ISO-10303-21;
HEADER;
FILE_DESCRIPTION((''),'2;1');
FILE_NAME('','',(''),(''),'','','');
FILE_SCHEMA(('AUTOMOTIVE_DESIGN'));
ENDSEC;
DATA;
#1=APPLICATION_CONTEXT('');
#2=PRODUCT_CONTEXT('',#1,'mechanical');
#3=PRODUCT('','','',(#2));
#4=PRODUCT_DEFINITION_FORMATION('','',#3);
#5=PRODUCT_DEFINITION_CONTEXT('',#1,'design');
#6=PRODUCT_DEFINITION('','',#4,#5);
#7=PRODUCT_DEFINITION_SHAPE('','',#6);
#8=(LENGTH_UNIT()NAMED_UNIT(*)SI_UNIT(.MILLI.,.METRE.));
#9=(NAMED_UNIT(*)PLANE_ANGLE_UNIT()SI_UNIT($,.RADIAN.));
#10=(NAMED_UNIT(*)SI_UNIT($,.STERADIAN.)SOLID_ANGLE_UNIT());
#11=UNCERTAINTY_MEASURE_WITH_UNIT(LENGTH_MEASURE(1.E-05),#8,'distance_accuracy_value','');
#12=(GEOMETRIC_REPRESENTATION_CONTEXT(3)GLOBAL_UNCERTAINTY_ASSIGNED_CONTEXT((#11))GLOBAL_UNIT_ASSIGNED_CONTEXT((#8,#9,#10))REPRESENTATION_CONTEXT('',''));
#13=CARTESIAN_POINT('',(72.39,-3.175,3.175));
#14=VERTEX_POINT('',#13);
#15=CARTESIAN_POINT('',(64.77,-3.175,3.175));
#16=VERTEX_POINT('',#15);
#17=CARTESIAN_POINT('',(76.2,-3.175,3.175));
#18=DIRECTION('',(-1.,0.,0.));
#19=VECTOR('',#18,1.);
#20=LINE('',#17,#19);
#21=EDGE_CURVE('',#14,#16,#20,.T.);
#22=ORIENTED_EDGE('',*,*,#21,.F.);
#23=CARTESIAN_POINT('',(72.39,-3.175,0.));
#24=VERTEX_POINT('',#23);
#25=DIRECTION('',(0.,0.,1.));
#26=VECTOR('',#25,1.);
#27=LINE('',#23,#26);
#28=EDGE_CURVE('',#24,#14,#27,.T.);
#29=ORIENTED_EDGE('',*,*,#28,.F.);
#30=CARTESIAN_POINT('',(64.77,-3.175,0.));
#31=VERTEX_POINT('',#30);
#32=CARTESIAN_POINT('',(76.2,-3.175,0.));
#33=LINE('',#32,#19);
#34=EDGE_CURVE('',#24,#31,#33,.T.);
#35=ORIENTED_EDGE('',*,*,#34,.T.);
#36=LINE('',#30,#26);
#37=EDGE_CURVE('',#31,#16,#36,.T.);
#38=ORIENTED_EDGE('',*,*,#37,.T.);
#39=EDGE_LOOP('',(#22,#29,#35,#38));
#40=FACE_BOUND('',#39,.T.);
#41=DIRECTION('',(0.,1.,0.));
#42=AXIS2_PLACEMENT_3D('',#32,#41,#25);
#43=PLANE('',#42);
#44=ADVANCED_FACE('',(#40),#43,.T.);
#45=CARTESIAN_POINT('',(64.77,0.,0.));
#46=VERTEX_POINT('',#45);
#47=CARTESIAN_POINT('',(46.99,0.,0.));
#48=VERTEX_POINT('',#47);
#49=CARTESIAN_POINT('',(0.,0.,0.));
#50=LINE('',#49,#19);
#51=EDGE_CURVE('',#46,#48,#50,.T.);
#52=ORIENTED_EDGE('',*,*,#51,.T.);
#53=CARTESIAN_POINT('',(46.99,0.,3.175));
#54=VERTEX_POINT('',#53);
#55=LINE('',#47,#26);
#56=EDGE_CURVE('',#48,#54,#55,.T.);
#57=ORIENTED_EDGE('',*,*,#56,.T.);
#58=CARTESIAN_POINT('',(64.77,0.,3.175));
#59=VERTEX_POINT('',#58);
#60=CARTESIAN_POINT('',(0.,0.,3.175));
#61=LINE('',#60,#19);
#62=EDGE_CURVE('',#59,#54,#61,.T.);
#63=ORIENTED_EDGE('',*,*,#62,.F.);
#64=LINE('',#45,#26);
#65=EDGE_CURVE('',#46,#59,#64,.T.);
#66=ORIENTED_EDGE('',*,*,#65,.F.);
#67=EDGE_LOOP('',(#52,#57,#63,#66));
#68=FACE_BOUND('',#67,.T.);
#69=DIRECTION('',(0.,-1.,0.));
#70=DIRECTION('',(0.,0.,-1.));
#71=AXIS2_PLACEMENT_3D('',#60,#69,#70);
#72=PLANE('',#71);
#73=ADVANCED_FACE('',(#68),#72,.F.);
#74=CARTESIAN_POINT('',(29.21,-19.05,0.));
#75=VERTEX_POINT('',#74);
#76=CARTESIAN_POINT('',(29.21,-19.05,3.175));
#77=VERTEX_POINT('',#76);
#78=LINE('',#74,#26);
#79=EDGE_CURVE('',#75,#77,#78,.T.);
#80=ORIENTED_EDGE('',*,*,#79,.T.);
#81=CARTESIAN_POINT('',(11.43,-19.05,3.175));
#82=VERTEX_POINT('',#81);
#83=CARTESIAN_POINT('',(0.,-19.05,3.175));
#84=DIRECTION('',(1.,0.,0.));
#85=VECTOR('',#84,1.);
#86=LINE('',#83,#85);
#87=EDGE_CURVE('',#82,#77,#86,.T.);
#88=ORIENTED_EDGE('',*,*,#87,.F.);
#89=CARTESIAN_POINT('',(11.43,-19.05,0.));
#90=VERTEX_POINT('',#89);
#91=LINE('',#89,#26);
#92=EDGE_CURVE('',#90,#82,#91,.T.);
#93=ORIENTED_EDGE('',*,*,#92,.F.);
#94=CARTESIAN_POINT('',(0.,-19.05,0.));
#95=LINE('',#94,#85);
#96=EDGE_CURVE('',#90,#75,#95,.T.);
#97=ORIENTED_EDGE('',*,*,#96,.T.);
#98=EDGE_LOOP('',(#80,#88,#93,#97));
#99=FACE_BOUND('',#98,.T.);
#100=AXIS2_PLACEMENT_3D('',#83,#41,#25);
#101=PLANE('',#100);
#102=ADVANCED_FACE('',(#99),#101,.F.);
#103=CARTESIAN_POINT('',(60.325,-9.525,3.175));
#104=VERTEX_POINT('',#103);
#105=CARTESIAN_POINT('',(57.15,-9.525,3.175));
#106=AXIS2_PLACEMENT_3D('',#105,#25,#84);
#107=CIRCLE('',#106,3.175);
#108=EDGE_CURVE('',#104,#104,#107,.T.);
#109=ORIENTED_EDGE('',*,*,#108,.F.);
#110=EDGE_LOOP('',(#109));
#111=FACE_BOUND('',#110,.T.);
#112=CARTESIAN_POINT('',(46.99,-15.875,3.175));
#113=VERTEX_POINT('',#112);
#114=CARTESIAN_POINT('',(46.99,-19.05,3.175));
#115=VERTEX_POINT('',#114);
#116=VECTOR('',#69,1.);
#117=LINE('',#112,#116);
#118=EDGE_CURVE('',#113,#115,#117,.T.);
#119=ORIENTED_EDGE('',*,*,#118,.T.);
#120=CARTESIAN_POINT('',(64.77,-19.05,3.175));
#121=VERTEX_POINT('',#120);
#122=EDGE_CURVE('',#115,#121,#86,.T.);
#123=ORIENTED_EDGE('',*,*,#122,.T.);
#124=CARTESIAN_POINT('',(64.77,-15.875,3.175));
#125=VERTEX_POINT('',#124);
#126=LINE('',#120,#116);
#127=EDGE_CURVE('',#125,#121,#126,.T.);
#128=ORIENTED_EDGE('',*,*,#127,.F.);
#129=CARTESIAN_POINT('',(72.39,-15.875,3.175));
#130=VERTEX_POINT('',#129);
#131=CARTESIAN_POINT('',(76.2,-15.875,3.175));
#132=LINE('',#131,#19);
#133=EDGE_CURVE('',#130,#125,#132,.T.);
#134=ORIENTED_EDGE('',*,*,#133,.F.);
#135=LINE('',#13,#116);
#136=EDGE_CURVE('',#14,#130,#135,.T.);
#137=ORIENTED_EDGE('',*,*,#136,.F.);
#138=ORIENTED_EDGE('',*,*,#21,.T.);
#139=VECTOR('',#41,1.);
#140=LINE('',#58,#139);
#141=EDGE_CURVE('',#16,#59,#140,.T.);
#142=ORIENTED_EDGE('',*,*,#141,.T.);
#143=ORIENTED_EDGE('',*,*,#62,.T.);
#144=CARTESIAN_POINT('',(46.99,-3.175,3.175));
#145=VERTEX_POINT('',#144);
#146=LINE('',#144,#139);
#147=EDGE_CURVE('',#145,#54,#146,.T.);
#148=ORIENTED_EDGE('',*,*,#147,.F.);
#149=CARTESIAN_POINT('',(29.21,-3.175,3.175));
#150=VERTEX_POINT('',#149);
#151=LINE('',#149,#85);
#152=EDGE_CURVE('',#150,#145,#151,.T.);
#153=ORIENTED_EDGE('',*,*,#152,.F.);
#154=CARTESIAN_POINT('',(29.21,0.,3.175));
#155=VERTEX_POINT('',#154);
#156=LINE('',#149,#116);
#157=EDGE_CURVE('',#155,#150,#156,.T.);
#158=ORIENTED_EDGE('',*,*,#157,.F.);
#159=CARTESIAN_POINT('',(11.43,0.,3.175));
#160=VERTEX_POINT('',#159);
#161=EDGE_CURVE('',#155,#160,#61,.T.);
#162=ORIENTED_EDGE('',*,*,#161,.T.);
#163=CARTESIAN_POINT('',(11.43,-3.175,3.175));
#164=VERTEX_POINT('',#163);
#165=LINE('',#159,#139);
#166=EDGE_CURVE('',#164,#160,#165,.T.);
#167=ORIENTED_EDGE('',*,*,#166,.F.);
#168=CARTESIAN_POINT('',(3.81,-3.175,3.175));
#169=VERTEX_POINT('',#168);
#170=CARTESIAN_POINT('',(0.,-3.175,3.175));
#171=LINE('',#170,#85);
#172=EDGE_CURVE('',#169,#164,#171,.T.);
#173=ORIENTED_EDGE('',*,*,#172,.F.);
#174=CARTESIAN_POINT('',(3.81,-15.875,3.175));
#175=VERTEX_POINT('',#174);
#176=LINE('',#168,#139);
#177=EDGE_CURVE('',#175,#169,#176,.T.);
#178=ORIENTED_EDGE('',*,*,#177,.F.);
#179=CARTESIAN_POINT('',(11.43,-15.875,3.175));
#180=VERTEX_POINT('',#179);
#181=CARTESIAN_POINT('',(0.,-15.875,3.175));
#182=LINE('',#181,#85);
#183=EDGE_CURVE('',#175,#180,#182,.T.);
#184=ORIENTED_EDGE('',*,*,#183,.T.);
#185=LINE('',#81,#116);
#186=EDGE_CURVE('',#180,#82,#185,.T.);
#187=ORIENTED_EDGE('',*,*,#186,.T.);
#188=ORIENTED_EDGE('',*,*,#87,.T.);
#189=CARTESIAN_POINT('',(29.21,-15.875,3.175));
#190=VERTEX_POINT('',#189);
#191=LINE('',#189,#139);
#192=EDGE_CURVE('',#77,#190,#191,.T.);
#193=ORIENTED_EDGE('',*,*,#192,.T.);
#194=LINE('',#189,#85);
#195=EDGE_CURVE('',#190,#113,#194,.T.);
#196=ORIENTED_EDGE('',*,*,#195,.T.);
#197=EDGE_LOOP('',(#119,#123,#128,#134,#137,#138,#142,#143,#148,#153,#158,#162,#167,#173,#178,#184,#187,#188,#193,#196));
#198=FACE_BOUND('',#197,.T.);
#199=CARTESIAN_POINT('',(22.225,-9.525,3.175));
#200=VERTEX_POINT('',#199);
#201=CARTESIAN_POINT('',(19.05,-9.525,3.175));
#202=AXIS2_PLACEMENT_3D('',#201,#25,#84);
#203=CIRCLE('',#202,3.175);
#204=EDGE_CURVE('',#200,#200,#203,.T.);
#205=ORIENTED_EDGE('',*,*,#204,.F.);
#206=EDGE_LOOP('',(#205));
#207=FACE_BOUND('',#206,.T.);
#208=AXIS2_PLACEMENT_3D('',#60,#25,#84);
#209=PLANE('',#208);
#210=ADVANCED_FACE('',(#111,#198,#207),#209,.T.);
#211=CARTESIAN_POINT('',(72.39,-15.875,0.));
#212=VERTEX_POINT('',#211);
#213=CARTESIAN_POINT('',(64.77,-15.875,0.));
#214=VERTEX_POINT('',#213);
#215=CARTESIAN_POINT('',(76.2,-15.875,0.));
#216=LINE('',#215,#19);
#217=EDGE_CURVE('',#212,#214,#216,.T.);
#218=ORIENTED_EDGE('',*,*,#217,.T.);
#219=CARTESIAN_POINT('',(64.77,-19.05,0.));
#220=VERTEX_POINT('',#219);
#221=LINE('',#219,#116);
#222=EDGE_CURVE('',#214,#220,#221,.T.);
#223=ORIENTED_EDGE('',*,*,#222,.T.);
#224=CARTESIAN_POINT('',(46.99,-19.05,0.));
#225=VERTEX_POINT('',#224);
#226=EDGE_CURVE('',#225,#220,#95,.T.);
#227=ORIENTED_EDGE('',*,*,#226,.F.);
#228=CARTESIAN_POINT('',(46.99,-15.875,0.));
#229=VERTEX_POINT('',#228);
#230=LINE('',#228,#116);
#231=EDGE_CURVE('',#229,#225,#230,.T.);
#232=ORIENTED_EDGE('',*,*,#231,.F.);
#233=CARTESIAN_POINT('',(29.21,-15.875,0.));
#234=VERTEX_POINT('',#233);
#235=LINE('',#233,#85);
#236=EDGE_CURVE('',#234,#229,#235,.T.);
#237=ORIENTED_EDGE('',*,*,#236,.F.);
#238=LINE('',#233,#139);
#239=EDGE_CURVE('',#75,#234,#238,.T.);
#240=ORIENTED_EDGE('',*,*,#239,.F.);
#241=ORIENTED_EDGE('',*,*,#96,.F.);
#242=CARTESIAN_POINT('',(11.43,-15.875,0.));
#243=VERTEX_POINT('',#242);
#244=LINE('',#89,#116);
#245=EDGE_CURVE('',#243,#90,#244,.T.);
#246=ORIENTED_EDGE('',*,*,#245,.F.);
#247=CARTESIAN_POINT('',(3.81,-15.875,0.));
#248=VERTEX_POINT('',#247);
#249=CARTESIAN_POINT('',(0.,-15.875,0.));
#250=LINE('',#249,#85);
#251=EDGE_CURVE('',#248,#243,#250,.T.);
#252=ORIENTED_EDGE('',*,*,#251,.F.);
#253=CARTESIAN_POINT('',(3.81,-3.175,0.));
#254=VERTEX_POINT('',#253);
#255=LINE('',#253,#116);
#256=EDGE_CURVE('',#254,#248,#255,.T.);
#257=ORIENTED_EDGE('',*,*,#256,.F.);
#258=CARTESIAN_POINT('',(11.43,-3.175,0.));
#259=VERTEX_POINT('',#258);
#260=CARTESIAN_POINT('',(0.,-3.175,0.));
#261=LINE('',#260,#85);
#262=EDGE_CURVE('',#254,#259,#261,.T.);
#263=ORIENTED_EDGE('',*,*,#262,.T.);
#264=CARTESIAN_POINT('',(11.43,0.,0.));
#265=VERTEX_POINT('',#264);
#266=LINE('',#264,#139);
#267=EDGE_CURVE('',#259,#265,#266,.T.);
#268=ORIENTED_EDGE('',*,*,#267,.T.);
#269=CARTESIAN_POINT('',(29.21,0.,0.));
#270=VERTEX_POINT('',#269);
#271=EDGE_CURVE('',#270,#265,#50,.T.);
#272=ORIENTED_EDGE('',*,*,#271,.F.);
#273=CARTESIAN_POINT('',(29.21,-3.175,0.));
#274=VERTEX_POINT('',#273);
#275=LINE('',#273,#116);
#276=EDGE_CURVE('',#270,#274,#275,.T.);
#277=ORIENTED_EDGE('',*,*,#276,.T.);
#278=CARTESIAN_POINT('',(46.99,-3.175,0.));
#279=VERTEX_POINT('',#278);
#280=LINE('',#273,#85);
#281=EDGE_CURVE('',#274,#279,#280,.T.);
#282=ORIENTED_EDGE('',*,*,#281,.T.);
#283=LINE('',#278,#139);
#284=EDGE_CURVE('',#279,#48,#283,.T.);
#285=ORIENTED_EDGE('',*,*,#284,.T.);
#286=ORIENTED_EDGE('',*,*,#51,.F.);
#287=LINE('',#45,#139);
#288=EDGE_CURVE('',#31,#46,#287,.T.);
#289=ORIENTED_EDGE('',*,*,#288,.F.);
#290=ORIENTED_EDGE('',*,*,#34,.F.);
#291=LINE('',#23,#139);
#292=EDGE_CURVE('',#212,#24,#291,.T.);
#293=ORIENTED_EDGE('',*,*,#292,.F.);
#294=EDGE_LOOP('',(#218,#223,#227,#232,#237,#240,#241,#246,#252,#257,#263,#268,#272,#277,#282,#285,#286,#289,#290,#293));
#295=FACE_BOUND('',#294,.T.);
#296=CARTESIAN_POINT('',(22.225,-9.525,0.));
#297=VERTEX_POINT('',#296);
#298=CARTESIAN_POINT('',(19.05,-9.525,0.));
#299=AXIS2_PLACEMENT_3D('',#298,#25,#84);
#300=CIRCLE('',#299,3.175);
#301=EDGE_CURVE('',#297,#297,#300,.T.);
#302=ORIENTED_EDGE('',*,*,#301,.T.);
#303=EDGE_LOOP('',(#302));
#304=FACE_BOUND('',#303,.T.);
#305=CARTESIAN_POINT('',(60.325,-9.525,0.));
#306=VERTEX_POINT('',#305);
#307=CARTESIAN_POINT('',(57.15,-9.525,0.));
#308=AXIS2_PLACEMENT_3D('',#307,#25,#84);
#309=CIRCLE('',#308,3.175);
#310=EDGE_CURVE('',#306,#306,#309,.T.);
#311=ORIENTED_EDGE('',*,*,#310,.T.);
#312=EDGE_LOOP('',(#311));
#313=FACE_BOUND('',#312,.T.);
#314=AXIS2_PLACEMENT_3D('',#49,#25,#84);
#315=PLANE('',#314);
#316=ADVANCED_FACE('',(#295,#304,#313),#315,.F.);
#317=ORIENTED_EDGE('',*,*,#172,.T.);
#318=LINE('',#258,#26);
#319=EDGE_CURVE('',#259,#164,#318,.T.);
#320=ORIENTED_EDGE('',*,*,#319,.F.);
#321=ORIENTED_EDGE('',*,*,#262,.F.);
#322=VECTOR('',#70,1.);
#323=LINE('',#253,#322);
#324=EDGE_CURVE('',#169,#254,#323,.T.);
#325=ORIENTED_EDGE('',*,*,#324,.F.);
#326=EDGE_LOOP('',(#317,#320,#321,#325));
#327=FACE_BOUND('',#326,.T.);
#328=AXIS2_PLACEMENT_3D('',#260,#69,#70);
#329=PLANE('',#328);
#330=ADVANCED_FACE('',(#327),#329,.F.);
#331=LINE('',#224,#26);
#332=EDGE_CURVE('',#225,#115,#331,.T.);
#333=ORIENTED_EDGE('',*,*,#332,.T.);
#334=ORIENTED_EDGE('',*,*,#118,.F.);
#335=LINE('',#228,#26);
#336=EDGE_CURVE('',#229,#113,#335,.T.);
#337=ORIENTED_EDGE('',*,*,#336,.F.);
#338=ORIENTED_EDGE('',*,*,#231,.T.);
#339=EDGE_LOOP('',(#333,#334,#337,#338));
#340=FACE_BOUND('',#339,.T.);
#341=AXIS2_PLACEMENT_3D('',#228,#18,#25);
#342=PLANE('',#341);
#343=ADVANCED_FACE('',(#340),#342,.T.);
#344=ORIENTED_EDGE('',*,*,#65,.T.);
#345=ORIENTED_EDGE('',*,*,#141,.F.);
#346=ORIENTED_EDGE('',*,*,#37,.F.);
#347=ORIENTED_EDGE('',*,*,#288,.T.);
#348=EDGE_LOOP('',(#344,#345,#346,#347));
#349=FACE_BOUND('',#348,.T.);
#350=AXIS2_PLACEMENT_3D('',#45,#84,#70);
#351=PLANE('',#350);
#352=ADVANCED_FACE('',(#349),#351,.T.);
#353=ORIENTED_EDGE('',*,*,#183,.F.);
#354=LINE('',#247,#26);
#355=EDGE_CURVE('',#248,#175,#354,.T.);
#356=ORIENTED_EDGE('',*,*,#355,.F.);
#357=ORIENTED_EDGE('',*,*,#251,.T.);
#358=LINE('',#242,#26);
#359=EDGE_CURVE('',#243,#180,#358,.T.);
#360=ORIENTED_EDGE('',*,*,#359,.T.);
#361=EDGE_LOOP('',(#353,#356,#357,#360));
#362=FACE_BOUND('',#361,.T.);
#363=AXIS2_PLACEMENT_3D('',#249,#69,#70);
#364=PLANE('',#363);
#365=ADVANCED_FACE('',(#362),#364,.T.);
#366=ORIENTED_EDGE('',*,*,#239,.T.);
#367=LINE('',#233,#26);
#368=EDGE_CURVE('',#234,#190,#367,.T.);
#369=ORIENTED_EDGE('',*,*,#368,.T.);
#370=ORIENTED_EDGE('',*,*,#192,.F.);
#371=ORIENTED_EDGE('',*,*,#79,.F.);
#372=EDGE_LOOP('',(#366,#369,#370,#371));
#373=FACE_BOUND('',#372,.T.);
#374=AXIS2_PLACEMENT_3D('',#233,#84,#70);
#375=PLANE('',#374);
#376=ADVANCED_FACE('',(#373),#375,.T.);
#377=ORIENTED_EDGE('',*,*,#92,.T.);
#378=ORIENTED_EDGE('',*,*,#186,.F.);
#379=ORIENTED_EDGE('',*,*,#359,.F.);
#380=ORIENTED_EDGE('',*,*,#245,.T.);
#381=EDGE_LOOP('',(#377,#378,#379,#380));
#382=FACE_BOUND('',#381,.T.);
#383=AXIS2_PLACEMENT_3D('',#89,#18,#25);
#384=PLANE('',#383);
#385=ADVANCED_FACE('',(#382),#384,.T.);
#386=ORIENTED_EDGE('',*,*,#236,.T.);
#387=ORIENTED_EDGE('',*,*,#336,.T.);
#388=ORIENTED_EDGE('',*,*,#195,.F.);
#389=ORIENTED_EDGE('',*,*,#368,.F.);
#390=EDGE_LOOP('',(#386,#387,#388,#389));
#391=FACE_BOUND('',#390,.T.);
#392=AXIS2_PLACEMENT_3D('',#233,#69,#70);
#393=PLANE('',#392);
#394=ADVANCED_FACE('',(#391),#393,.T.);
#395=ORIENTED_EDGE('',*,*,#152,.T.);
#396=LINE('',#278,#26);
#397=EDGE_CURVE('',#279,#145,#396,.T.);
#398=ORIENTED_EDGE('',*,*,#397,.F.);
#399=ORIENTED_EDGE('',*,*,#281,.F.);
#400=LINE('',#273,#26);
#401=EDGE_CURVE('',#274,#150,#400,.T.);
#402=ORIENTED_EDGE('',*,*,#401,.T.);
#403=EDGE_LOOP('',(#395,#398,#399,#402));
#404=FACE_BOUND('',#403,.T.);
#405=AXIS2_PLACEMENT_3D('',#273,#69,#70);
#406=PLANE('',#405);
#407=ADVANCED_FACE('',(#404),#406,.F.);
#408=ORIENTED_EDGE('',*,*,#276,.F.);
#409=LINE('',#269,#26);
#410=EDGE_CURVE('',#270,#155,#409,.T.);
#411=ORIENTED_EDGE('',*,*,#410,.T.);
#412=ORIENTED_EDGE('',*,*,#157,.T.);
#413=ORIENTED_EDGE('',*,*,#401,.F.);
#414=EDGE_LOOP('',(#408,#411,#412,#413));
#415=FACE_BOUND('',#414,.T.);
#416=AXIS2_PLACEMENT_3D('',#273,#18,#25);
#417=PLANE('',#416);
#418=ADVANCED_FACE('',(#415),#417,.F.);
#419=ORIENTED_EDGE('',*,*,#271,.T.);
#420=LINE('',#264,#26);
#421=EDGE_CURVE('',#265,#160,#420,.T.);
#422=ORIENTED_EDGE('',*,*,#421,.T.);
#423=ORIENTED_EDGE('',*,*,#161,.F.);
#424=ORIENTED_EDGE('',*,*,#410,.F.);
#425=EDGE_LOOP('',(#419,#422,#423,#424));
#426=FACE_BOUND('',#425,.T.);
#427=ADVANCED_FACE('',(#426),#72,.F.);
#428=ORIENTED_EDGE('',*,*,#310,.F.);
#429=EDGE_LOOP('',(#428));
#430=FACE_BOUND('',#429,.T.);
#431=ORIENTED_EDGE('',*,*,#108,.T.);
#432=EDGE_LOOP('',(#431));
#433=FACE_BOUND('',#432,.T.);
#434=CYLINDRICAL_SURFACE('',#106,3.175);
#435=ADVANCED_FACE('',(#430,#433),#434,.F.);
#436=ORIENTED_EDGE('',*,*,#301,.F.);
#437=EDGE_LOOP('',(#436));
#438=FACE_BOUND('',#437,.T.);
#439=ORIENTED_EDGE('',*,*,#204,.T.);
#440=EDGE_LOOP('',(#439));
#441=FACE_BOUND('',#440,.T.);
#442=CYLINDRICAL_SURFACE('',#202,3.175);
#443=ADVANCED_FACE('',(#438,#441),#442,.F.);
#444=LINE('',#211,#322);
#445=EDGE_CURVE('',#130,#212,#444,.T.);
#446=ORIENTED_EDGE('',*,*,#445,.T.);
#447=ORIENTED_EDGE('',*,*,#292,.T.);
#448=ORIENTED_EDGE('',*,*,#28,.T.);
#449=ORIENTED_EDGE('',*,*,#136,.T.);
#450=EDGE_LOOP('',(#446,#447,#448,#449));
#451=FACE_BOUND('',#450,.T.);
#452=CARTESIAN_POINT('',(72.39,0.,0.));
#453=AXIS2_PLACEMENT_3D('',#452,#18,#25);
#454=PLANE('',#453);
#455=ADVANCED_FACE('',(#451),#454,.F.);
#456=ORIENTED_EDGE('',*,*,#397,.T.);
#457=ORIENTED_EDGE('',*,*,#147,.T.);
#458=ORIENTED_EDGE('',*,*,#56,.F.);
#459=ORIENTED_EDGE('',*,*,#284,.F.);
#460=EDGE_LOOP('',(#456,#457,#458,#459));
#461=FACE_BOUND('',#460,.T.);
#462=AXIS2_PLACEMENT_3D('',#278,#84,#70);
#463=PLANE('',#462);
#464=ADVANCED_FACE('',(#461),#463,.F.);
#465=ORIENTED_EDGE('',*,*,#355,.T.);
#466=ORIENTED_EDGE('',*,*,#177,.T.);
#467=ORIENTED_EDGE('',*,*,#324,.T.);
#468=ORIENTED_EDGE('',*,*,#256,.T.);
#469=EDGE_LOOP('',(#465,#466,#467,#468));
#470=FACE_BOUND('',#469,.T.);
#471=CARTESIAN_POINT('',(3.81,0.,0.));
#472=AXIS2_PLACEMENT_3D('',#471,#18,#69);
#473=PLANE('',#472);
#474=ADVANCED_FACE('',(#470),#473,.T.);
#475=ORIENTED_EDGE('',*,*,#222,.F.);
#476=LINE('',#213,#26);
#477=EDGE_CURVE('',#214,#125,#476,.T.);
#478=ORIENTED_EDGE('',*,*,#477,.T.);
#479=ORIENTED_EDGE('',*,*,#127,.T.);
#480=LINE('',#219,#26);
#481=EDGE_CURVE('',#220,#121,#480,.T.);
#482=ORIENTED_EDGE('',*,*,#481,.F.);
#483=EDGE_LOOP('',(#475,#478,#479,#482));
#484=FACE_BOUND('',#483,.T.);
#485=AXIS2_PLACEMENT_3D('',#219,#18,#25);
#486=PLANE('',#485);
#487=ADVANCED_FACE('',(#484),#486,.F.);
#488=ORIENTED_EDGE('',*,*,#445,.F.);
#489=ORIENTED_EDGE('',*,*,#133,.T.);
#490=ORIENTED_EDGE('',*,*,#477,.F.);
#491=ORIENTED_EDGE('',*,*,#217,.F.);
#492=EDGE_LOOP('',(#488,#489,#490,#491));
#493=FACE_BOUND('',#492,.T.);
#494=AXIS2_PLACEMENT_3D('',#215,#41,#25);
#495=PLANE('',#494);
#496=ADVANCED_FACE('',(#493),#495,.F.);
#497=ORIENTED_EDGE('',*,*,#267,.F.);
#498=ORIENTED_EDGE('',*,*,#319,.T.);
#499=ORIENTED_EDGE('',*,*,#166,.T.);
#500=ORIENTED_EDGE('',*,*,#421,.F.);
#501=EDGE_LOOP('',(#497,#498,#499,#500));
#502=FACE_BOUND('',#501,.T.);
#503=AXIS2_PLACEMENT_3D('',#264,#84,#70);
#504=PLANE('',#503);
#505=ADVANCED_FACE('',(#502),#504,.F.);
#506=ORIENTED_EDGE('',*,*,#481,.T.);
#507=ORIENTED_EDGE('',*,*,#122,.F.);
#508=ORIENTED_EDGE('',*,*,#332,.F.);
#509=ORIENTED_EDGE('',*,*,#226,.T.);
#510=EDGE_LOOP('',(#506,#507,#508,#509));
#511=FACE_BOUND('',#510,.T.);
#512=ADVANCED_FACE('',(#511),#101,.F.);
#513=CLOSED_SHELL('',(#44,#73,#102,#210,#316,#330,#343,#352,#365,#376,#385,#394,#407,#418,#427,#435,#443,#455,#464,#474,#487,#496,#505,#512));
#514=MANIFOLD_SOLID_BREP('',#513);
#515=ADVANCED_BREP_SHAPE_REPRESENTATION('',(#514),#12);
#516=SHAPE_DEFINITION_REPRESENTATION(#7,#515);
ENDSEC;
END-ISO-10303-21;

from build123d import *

# Parameters (mm, degrees)
SKETCH1_W               = 76.2
SKETCH1_H               = 19.05
BOSS_EXTRUDE1_DEPTH     = 3.175
SKETCH2_W               = 11.43
SKETCH2_H               = 3.175
CUT_EXTRUDE1_DEPTH      = 79.60930686
SKETCH3_W               = 17.78
SKETCH3_H               = 3.175
CUT_EXTRUDE2_DEPTH      = 79.60930686
MIRROR2_COPY_1_SKETCH_W = 11.43
MIRROR2_COPY_1_SKETCH_H = 3.175
MIRROR2_COPY_1_DEPTH    = 79.60930686
HOLE1_D                 = 6.35
SKETCH6_W               = 3.175
SKETCH6_H               = 12.7
CUT_EXTRUDE3_DEPTH      = 3.81
SKETCH7_W               = 3.175
SKETCH7_H               = 12.7
CUT_EXTRUDE4_DEPTH      = 3.81


with BuildPart() as part:
    # Sketch1 → Boss-Extrude1 (new body)
    with BuildSketch(Plane.XY):
        with Locations((38.1, -9.525)):
            Rectangle(SKETCH1_W, SKETCH1_H)
    extrude(amount=BOSS_EXTRUDE1_DEPTH)

    # Sketch2 → Cut-Extrude1 (cut, through all)
    with BuildSketch(Plane.XY.offset(3.175)):
        with Locations((5.715, -1.5875)):
            Rectangle(SKETCH2_W, SKETCH2_H)
    cut_extrude1 = extrude(amount=-CUT_EXTRUDE1_DEPTH, mode=Mode.SUBTRACT)

    # Mirror1: Cut-Extrude1 across plane
    add(cut_extrude1.mirror(Plane(origin=(38.1, 0, 0), x_dir=(0, 0, 1), z_dir=(1, 0, 0))), mode=Mode.SUBTRACT)

    # Sketch3 → Cut-Extrude2 (cut, through all)
    with BuildSketch(Plane.XY.offset(3.175)):
        with Locations((38.1, -1.5875)):
            Rectangle(SKETCH3_W, SKETCH3_H)
    cut_extrude2 = extrude(amount=-CUT_EXTRUDE2_DEPTH, mode=Mode.SUBTRACT)

    # Mirror2: Cut-Extrude1, Cut-Extrude2 across plane
    add(cut_extrude1.mirror(Plane.ZX.offset(-9.525)), mode=Mode.SUBTRACT)
    add(cut_extrude2.mirror(Plane.ZX.offset(-9.525)), mode=Mode.SUBTRACT)

    # Mirror2 copy 1 sketch → Mirror2 copy 1 (cut, through all)
    with BuildSketch(Plane(origin=(76.2, -19.05, 3.175), x_dir=(-1, 0, 0), z_dir=(0, 0, 1))):
        with Locations((5.715, -1.5875)):
            Rectangle(MIRROR2_COPY_1_SKETCH_W, MIRROR2_COPY_1_SKETCH_H)
    extrude(amount=-MIRROR2_COPY_1_DEPTH, mode=Mode.SUBTRACT)

    # Hole1 (through all)
    with Locations(Plane.XY.offset(3.175)):
        with Locations((19.05, -9.525), (57.15, -9.525)):
            Hole(HOLE1_D / 2)

    # Sketch6 → Cut-Extrude3 (cut)
    with BuildSketch(Plane.ZY):
        with Locations((1.5875, -9.525)):
            Rectangle(SKETCH6_W, SKETCH6_H)
    extrude(amount=-CUT_EXTRUDE3_DEPTH, mode=Mode.SUBTRACT)

    # Sketch7 → Cut-Extrude4 (cut)
    with BuildSketch(Plane(origin=(76.2, 0, 0), x_dir=(0, 0, -1), z_dir=(1, 0, 0))):
        with Locations((-1.5875, -9.525)):
            Rectangle(SKETCH7_W, SKETCH7_H)
    extrude(amount=-CUT_EXTRUDE4_DEPTH, mode=Mode.SUBTRACT)


solid = part.part
